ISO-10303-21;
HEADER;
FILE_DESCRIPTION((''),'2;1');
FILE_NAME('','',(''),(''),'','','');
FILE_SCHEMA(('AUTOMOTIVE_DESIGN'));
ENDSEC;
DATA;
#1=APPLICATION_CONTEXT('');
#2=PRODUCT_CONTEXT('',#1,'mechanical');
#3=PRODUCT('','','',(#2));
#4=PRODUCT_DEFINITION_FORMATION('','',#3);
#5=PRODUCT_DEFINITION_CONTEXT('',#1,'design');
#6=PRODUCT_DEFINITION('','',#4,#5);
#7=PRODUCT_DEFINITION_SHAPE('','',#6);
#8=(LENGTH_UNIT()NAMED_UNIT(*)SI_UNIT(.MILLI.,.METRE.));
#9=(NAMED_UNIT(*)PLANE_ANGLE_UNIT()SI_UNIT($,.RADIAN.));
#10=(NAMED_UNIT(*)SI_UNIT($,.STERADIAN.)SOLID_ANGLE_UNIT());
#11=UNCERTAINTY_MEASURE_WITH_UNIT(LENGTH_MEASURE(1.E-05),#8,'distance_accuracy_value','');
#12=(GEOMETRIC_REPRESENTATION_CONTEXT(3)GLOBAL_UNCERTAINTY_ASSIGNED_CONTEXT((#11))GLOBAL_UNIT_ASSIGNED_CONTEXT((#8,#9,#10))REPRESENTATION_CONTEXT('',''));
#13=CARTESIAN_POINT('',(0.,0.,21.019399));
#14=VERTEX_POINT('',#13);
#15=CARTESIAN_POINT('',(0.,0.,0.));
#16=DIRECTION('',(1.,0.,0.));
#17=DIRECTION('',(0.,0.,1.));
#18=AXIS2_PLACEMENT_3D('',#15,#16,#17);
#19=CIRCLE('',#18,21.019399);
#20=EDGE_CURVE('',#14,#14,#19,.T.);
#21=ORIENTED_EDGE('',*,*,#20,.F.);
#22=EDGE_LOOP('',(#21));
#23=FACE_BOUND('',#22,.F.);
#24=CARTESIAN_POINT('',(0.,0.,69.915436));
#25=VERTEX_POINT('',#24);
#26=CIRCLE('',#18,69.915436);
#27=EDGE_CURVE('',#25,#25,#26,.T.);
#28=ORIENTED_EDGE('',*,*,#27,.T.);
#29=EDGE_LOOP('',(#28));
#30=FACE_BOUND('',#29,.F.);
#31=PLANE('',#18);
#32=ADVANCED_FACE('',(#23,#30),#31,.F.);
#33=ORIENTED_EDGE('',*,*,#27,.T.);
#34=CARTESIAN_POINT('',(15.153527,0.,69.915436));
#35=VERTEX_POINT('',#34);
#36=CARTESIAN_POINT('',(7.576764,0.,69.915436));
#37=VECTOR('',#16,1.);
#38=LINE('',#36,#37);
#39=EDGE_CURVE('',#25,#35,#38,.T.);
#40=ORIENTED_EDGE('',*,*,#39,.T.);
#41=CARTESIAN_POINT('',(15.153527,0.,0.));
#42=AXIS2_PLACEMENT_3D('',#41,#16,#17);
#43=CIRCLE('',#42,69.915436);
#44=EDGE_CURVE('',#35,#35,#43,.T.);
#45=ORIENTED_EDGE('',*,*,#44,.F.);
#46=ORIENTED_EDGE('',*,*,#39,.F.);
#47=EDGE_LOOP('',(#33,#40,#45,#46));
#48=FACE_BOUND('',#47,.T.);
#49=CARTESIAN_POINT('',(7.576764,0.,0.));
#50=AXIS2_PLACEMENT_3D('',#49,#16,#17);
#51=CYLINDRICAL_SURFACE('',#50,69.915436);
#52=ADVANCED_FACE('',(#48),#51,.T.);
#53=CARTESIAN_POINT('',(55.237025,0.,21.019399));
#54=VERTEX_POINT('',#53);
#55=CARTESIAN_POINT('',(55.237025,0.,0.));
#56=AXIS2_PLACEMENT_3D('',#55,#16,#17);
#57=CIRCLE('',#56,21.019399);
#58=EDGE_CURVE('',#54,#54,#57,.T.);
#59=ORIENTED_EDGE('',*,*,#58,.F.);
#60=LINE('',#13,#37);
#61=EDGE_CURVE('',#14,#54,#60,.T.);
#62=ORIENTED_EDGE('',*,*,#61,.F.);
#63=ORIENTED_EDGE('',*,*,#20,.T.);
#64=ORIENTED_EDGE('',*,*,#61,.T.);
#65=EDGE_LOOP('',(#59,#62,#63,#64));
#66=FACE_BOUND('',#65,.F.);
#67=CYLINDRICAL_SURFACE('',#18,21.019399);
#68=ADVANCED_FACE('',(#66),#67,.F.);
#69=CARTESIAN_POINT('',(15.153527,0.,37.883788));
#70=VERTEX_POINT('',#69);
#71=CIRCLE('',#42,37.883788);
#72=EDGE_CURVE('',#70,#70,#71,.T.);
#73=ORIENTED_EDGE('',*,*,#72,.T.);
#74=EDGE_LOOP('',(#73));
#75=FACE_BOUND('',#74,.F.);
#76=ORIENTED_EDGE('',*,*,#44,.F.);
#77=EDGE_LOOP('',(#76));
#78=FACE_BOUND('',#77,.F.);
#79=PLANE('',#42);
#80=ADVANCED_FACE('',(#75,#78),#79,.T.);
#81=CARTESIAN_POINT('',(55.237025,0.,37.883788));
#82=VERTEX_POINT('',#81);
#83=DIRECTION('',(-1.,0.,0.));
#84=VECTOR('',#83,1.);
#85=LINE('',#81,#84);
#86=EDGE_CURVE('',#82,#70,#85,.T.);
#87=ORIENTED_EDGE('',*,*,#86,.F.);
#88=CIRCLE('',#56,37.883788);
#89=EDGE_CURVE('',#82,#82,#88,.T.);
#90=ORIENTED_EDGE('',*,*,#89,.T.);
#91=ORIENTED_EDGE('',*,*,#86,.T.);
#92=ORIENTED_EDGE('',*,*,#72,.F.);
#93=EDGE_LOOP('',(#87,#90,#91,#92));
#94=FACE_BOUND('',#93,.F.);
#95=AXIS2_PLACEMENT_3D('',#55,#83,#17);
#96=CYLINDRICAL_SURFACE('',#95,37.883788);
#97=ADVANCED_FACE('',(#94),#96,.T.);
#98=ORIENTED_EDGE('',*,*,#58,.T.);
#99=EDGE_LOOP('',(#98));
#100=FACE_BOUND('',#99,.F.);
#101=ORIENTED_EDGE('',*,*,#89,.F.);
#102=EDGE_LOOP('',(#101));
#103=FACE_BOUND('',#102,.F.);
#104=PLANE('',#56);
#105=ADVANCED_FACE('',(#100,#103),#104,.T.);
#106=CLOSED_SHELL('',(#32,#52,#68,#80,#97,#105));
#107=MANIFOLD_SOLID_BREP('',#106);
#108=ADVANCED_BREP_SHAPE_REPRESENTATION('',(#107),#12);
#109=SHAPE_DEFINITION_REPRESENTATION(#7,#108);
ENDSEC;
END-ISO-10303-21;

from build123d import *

# Parameters (mm, degrees)
F1_W   = 15.1535272598
F1_H   = 16.8643891811
F1_W_2 = 40.0834977627
F1_H_2 = 32.031647861


with BuildPart() as f0:
    # F1 (on Front) → F0 (revolve)
    with BuildSketch(Plane.XZ):
        with Locations((7.5767636299, 29.4515937567)):
            Rectangle(F1_W, F1_H)
        with Locations((35.1952761412, 29.4515937567)):
            Rectangle(F1_W_2, F1_H)
        with Locations((7.5767636299, 53.8996122777)):
            Rectangle(F1_W, F1_H_2)
    revolve(axis=Axis((27.6185125113, 0, 0), (1, 0, 0)))


solid = f0.part
